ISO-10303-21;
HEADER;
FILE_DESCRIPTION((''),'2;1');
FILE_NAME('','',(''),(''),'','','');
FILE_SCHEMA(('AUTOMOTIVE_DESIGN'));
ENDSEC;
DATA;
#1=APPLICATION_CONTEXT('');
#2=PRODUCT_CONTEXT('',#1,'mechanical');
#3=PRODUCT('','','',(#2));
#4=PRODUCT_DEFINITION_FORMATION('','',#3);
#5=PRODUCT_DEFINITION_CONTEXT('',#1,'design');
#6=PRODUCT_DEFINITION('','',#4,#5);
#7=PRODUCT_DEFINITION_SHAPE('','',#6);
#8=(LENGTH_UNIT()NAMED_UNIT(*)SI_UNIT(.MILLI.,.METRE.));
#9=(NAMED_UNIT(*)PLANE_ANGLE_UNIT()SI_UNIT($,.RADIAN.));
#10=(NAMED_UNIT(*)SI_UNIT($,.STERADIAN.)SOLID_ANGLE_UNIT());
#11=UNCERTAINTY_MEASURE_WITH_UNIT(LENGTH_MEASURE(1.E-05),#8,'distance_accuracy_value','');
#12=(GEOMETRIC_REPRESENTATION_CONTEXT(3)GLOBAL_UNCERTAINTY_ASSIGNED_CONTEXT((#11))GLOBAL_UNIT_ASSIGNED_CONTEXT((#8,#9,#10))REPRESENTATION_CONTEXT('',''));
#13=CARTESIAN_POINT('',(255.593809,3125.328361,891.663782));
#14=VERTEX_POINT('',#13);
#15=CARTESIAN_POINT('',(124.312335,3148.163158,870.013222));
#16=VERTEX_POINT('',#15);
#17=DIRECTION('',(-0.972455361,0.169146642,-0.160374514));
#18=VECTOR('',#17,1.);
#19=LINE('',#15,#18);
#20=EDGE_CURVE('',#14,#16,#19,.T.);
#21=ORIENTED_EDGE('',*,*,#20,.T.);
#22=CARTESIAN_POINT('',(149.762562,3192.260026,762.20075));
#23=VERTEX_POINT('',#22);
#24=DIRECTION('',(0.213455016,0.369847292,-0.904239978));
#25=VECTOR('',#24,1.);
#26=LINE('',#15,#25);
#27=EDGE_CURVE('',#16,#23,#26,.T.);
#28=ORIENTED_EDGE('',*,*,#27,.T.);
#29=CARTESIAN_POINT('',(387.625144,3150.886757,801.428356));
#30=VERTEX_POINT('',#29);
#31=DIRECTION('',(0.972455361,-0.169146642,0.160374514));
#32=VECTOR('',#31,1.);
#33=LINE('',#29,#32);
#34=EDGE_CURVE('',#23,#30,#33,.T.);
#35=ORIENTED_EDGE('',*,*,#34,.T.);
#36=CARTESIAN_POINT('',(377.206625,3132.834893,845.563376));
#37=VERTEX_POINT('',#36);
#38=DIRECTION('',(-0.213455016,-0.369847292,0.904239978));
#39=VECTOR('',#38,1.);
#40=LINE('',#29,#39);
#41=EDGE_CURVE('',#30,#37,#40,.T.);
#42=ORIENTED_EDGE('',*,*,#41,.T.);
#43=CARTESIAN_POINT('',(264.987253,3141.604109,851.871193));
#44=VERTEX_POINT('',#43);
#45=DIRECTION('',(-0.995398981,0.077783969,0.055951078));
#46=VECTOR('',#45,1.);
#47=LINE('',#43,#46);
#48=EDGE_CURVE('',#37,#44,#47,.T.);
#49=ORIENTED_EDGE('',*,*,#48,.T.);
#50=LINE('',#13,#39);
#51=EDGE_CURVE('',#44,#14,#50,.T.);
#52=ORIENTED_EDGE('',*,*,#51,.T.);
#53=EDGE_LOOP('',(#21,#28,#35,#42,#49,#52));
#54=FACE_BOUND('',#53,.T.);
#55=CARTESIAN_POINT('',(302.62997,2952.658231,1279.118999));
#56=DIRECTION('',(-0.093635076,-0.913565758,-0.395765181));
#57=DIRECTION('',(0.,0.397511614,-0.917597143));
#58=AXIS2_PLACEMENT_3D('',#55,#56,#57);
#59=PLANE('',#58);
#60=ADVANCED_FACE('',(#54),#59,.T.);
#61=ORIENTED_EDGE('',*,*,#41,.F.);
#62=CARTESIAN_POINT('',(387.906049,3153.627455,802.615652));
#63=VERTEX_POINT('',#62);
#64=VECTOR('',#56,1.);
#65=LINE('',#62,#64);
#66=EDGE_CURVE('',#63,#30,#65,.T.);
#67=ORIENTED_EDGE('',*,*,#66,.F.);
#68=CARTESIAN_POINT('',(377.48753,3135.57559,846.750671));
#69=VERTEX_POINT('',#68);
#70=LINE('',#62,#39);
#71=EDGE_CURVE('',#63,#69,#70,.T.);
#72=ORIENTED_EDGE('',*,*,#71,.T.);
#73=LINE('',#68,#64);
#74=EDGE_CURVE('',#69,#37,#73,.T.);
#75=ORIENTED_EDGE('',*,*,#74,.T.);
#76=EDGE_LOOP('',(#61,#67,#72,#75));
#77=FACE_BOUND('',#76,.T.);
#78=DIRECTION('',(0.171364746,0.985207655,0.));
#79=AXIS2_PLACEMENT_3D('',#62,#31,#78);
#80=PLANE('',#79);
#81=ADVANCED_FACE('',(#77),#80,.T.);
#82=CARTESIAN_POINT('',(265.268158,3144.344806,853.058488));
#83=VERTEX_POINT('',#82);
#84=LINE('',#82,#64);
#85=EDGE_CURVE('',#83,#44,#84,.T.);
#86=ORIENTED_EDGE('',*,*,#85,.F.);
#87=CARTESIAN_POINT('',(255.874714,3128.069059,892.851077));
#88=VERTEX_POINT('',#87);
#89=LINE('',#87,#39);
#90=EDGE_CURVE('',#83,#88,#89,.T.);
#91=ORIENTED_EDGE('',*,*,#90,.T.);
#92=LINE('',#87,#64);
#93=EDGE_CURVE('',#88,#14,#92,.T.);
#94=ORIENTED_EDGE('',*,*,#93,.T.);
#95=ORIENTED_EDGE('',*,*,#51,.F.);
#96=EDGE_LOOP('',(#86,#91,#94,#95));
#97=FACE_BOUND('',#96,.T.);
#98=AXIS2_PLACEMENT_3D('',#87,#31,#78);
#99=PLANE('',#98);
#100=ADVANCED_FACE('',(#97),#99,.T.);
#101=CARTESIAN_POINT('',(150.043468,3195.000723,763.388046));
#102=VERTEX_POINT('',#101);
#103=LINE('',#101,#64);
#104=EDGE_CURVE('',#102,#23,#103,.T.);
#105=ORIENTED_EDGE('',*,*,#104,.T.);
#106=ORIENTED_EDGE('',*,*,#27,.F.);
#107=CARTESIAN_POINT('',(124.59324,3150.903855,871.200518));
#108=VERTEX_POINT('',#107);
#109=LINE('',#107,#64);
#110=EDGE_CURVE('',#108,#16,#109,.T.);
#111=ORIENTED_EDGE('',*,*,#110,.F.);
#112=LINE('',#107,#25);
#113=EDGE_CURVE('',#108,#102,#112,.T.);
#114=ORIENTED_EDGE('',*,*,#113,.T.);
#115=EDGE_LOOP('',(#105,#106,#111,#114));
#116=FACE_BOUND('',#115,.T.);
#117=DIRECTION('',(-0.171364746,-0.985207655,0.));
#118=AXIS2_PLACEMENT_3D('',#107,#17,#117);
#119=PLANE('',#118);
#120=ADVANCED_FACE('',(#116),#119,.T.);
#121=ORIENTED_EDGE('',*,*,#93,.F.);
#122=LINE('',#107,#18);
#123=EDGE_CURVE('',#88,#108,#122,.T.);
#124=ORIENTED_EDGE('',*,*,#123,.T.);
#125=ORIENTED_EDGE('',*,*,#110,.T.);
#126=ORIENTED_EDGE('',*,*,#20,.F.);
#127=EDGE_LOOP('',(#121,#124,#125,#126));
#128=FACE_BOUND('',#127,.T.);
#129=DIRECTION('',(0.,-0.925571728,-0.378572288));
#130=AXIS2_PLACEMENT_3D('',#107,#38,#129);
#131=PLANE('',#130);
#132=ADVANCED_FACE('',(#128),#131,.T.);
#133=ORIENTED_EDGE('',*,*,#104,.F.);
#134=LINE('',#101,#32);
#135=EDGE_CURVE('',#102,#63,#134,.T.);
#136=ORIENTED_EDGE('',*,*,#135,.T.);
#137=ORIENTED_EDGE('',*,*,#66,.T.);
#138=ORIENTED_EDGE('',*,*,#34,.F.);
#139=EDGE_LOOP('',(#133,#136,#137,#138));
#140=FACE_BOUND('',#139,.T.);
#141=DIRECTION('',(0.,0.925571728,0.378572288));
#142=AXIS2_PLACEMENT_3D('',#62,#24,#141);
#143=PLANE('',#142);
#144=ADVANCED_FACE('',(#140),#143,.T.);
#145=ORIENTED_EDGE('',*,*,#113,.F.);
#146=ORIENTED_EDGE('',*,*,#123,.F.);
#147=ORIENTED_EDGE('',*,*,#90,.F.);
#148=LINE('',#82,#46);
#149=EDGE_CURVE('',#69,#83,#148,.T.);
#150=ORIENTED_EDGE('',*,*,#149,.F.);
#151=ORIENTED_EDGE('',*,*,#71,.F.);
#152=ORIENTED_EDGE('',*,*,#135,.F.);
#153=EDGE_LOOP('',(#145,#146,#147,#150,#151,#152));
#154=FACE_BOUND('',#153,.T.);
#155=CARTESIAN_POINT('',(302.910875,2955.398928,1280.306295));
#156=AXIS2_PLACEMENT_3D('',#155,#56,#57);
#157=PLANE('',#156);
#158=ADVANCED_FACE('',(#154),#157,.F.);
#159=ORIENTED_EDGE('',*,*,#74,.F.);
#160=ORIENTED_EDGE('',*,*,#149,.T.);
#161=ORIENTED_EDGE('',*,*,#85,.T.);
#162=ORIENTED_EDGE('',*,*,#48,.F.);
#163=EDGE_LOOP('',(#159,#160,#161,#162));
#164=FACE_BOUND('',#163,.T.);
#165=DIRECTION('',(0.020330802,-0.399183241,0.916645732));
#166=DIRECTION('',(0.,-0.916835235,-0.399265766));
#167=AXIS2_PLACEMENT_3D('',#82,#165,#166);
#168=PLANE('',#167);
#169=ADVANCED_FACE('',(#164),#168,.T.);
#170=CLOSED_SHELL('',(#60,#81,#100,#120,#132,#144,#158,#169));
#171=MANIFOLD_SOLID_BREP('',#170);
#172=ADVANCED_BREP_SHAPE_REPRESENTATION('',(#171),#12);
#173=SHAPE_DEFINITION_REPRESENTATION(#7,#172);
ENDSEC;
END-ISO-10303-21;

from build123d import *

# Parameters (mm, degrees)
BOSS_EXTRUDE1_DEPTH = 3


with BuildPart() as part:
    # Sketch1 → Boss-Extrude1 (new body)
    with BuildSketch(Plane(origin=(270.562015017, 2929.868417667, 1339.312972046), x_dir=(0.933919841, -0.218343191, 0.283054733), z_dir=(-0.093635076, -0.913565758, -0.395765181))):
        Polygon((-317.0861634, -434.442381086), (-183.365674706, -452.985058966), (-189.410130107, -496.574638387), (-84.476991235, -537.792492394), (-91.181057549, -586.138854741), (-199.742283926, -571.084947366), (-333.462772622, -552.542269486), align=None)
    extrude(amount=-BOSS_EXTRUDE1_DEPTH)


solid = part.part
